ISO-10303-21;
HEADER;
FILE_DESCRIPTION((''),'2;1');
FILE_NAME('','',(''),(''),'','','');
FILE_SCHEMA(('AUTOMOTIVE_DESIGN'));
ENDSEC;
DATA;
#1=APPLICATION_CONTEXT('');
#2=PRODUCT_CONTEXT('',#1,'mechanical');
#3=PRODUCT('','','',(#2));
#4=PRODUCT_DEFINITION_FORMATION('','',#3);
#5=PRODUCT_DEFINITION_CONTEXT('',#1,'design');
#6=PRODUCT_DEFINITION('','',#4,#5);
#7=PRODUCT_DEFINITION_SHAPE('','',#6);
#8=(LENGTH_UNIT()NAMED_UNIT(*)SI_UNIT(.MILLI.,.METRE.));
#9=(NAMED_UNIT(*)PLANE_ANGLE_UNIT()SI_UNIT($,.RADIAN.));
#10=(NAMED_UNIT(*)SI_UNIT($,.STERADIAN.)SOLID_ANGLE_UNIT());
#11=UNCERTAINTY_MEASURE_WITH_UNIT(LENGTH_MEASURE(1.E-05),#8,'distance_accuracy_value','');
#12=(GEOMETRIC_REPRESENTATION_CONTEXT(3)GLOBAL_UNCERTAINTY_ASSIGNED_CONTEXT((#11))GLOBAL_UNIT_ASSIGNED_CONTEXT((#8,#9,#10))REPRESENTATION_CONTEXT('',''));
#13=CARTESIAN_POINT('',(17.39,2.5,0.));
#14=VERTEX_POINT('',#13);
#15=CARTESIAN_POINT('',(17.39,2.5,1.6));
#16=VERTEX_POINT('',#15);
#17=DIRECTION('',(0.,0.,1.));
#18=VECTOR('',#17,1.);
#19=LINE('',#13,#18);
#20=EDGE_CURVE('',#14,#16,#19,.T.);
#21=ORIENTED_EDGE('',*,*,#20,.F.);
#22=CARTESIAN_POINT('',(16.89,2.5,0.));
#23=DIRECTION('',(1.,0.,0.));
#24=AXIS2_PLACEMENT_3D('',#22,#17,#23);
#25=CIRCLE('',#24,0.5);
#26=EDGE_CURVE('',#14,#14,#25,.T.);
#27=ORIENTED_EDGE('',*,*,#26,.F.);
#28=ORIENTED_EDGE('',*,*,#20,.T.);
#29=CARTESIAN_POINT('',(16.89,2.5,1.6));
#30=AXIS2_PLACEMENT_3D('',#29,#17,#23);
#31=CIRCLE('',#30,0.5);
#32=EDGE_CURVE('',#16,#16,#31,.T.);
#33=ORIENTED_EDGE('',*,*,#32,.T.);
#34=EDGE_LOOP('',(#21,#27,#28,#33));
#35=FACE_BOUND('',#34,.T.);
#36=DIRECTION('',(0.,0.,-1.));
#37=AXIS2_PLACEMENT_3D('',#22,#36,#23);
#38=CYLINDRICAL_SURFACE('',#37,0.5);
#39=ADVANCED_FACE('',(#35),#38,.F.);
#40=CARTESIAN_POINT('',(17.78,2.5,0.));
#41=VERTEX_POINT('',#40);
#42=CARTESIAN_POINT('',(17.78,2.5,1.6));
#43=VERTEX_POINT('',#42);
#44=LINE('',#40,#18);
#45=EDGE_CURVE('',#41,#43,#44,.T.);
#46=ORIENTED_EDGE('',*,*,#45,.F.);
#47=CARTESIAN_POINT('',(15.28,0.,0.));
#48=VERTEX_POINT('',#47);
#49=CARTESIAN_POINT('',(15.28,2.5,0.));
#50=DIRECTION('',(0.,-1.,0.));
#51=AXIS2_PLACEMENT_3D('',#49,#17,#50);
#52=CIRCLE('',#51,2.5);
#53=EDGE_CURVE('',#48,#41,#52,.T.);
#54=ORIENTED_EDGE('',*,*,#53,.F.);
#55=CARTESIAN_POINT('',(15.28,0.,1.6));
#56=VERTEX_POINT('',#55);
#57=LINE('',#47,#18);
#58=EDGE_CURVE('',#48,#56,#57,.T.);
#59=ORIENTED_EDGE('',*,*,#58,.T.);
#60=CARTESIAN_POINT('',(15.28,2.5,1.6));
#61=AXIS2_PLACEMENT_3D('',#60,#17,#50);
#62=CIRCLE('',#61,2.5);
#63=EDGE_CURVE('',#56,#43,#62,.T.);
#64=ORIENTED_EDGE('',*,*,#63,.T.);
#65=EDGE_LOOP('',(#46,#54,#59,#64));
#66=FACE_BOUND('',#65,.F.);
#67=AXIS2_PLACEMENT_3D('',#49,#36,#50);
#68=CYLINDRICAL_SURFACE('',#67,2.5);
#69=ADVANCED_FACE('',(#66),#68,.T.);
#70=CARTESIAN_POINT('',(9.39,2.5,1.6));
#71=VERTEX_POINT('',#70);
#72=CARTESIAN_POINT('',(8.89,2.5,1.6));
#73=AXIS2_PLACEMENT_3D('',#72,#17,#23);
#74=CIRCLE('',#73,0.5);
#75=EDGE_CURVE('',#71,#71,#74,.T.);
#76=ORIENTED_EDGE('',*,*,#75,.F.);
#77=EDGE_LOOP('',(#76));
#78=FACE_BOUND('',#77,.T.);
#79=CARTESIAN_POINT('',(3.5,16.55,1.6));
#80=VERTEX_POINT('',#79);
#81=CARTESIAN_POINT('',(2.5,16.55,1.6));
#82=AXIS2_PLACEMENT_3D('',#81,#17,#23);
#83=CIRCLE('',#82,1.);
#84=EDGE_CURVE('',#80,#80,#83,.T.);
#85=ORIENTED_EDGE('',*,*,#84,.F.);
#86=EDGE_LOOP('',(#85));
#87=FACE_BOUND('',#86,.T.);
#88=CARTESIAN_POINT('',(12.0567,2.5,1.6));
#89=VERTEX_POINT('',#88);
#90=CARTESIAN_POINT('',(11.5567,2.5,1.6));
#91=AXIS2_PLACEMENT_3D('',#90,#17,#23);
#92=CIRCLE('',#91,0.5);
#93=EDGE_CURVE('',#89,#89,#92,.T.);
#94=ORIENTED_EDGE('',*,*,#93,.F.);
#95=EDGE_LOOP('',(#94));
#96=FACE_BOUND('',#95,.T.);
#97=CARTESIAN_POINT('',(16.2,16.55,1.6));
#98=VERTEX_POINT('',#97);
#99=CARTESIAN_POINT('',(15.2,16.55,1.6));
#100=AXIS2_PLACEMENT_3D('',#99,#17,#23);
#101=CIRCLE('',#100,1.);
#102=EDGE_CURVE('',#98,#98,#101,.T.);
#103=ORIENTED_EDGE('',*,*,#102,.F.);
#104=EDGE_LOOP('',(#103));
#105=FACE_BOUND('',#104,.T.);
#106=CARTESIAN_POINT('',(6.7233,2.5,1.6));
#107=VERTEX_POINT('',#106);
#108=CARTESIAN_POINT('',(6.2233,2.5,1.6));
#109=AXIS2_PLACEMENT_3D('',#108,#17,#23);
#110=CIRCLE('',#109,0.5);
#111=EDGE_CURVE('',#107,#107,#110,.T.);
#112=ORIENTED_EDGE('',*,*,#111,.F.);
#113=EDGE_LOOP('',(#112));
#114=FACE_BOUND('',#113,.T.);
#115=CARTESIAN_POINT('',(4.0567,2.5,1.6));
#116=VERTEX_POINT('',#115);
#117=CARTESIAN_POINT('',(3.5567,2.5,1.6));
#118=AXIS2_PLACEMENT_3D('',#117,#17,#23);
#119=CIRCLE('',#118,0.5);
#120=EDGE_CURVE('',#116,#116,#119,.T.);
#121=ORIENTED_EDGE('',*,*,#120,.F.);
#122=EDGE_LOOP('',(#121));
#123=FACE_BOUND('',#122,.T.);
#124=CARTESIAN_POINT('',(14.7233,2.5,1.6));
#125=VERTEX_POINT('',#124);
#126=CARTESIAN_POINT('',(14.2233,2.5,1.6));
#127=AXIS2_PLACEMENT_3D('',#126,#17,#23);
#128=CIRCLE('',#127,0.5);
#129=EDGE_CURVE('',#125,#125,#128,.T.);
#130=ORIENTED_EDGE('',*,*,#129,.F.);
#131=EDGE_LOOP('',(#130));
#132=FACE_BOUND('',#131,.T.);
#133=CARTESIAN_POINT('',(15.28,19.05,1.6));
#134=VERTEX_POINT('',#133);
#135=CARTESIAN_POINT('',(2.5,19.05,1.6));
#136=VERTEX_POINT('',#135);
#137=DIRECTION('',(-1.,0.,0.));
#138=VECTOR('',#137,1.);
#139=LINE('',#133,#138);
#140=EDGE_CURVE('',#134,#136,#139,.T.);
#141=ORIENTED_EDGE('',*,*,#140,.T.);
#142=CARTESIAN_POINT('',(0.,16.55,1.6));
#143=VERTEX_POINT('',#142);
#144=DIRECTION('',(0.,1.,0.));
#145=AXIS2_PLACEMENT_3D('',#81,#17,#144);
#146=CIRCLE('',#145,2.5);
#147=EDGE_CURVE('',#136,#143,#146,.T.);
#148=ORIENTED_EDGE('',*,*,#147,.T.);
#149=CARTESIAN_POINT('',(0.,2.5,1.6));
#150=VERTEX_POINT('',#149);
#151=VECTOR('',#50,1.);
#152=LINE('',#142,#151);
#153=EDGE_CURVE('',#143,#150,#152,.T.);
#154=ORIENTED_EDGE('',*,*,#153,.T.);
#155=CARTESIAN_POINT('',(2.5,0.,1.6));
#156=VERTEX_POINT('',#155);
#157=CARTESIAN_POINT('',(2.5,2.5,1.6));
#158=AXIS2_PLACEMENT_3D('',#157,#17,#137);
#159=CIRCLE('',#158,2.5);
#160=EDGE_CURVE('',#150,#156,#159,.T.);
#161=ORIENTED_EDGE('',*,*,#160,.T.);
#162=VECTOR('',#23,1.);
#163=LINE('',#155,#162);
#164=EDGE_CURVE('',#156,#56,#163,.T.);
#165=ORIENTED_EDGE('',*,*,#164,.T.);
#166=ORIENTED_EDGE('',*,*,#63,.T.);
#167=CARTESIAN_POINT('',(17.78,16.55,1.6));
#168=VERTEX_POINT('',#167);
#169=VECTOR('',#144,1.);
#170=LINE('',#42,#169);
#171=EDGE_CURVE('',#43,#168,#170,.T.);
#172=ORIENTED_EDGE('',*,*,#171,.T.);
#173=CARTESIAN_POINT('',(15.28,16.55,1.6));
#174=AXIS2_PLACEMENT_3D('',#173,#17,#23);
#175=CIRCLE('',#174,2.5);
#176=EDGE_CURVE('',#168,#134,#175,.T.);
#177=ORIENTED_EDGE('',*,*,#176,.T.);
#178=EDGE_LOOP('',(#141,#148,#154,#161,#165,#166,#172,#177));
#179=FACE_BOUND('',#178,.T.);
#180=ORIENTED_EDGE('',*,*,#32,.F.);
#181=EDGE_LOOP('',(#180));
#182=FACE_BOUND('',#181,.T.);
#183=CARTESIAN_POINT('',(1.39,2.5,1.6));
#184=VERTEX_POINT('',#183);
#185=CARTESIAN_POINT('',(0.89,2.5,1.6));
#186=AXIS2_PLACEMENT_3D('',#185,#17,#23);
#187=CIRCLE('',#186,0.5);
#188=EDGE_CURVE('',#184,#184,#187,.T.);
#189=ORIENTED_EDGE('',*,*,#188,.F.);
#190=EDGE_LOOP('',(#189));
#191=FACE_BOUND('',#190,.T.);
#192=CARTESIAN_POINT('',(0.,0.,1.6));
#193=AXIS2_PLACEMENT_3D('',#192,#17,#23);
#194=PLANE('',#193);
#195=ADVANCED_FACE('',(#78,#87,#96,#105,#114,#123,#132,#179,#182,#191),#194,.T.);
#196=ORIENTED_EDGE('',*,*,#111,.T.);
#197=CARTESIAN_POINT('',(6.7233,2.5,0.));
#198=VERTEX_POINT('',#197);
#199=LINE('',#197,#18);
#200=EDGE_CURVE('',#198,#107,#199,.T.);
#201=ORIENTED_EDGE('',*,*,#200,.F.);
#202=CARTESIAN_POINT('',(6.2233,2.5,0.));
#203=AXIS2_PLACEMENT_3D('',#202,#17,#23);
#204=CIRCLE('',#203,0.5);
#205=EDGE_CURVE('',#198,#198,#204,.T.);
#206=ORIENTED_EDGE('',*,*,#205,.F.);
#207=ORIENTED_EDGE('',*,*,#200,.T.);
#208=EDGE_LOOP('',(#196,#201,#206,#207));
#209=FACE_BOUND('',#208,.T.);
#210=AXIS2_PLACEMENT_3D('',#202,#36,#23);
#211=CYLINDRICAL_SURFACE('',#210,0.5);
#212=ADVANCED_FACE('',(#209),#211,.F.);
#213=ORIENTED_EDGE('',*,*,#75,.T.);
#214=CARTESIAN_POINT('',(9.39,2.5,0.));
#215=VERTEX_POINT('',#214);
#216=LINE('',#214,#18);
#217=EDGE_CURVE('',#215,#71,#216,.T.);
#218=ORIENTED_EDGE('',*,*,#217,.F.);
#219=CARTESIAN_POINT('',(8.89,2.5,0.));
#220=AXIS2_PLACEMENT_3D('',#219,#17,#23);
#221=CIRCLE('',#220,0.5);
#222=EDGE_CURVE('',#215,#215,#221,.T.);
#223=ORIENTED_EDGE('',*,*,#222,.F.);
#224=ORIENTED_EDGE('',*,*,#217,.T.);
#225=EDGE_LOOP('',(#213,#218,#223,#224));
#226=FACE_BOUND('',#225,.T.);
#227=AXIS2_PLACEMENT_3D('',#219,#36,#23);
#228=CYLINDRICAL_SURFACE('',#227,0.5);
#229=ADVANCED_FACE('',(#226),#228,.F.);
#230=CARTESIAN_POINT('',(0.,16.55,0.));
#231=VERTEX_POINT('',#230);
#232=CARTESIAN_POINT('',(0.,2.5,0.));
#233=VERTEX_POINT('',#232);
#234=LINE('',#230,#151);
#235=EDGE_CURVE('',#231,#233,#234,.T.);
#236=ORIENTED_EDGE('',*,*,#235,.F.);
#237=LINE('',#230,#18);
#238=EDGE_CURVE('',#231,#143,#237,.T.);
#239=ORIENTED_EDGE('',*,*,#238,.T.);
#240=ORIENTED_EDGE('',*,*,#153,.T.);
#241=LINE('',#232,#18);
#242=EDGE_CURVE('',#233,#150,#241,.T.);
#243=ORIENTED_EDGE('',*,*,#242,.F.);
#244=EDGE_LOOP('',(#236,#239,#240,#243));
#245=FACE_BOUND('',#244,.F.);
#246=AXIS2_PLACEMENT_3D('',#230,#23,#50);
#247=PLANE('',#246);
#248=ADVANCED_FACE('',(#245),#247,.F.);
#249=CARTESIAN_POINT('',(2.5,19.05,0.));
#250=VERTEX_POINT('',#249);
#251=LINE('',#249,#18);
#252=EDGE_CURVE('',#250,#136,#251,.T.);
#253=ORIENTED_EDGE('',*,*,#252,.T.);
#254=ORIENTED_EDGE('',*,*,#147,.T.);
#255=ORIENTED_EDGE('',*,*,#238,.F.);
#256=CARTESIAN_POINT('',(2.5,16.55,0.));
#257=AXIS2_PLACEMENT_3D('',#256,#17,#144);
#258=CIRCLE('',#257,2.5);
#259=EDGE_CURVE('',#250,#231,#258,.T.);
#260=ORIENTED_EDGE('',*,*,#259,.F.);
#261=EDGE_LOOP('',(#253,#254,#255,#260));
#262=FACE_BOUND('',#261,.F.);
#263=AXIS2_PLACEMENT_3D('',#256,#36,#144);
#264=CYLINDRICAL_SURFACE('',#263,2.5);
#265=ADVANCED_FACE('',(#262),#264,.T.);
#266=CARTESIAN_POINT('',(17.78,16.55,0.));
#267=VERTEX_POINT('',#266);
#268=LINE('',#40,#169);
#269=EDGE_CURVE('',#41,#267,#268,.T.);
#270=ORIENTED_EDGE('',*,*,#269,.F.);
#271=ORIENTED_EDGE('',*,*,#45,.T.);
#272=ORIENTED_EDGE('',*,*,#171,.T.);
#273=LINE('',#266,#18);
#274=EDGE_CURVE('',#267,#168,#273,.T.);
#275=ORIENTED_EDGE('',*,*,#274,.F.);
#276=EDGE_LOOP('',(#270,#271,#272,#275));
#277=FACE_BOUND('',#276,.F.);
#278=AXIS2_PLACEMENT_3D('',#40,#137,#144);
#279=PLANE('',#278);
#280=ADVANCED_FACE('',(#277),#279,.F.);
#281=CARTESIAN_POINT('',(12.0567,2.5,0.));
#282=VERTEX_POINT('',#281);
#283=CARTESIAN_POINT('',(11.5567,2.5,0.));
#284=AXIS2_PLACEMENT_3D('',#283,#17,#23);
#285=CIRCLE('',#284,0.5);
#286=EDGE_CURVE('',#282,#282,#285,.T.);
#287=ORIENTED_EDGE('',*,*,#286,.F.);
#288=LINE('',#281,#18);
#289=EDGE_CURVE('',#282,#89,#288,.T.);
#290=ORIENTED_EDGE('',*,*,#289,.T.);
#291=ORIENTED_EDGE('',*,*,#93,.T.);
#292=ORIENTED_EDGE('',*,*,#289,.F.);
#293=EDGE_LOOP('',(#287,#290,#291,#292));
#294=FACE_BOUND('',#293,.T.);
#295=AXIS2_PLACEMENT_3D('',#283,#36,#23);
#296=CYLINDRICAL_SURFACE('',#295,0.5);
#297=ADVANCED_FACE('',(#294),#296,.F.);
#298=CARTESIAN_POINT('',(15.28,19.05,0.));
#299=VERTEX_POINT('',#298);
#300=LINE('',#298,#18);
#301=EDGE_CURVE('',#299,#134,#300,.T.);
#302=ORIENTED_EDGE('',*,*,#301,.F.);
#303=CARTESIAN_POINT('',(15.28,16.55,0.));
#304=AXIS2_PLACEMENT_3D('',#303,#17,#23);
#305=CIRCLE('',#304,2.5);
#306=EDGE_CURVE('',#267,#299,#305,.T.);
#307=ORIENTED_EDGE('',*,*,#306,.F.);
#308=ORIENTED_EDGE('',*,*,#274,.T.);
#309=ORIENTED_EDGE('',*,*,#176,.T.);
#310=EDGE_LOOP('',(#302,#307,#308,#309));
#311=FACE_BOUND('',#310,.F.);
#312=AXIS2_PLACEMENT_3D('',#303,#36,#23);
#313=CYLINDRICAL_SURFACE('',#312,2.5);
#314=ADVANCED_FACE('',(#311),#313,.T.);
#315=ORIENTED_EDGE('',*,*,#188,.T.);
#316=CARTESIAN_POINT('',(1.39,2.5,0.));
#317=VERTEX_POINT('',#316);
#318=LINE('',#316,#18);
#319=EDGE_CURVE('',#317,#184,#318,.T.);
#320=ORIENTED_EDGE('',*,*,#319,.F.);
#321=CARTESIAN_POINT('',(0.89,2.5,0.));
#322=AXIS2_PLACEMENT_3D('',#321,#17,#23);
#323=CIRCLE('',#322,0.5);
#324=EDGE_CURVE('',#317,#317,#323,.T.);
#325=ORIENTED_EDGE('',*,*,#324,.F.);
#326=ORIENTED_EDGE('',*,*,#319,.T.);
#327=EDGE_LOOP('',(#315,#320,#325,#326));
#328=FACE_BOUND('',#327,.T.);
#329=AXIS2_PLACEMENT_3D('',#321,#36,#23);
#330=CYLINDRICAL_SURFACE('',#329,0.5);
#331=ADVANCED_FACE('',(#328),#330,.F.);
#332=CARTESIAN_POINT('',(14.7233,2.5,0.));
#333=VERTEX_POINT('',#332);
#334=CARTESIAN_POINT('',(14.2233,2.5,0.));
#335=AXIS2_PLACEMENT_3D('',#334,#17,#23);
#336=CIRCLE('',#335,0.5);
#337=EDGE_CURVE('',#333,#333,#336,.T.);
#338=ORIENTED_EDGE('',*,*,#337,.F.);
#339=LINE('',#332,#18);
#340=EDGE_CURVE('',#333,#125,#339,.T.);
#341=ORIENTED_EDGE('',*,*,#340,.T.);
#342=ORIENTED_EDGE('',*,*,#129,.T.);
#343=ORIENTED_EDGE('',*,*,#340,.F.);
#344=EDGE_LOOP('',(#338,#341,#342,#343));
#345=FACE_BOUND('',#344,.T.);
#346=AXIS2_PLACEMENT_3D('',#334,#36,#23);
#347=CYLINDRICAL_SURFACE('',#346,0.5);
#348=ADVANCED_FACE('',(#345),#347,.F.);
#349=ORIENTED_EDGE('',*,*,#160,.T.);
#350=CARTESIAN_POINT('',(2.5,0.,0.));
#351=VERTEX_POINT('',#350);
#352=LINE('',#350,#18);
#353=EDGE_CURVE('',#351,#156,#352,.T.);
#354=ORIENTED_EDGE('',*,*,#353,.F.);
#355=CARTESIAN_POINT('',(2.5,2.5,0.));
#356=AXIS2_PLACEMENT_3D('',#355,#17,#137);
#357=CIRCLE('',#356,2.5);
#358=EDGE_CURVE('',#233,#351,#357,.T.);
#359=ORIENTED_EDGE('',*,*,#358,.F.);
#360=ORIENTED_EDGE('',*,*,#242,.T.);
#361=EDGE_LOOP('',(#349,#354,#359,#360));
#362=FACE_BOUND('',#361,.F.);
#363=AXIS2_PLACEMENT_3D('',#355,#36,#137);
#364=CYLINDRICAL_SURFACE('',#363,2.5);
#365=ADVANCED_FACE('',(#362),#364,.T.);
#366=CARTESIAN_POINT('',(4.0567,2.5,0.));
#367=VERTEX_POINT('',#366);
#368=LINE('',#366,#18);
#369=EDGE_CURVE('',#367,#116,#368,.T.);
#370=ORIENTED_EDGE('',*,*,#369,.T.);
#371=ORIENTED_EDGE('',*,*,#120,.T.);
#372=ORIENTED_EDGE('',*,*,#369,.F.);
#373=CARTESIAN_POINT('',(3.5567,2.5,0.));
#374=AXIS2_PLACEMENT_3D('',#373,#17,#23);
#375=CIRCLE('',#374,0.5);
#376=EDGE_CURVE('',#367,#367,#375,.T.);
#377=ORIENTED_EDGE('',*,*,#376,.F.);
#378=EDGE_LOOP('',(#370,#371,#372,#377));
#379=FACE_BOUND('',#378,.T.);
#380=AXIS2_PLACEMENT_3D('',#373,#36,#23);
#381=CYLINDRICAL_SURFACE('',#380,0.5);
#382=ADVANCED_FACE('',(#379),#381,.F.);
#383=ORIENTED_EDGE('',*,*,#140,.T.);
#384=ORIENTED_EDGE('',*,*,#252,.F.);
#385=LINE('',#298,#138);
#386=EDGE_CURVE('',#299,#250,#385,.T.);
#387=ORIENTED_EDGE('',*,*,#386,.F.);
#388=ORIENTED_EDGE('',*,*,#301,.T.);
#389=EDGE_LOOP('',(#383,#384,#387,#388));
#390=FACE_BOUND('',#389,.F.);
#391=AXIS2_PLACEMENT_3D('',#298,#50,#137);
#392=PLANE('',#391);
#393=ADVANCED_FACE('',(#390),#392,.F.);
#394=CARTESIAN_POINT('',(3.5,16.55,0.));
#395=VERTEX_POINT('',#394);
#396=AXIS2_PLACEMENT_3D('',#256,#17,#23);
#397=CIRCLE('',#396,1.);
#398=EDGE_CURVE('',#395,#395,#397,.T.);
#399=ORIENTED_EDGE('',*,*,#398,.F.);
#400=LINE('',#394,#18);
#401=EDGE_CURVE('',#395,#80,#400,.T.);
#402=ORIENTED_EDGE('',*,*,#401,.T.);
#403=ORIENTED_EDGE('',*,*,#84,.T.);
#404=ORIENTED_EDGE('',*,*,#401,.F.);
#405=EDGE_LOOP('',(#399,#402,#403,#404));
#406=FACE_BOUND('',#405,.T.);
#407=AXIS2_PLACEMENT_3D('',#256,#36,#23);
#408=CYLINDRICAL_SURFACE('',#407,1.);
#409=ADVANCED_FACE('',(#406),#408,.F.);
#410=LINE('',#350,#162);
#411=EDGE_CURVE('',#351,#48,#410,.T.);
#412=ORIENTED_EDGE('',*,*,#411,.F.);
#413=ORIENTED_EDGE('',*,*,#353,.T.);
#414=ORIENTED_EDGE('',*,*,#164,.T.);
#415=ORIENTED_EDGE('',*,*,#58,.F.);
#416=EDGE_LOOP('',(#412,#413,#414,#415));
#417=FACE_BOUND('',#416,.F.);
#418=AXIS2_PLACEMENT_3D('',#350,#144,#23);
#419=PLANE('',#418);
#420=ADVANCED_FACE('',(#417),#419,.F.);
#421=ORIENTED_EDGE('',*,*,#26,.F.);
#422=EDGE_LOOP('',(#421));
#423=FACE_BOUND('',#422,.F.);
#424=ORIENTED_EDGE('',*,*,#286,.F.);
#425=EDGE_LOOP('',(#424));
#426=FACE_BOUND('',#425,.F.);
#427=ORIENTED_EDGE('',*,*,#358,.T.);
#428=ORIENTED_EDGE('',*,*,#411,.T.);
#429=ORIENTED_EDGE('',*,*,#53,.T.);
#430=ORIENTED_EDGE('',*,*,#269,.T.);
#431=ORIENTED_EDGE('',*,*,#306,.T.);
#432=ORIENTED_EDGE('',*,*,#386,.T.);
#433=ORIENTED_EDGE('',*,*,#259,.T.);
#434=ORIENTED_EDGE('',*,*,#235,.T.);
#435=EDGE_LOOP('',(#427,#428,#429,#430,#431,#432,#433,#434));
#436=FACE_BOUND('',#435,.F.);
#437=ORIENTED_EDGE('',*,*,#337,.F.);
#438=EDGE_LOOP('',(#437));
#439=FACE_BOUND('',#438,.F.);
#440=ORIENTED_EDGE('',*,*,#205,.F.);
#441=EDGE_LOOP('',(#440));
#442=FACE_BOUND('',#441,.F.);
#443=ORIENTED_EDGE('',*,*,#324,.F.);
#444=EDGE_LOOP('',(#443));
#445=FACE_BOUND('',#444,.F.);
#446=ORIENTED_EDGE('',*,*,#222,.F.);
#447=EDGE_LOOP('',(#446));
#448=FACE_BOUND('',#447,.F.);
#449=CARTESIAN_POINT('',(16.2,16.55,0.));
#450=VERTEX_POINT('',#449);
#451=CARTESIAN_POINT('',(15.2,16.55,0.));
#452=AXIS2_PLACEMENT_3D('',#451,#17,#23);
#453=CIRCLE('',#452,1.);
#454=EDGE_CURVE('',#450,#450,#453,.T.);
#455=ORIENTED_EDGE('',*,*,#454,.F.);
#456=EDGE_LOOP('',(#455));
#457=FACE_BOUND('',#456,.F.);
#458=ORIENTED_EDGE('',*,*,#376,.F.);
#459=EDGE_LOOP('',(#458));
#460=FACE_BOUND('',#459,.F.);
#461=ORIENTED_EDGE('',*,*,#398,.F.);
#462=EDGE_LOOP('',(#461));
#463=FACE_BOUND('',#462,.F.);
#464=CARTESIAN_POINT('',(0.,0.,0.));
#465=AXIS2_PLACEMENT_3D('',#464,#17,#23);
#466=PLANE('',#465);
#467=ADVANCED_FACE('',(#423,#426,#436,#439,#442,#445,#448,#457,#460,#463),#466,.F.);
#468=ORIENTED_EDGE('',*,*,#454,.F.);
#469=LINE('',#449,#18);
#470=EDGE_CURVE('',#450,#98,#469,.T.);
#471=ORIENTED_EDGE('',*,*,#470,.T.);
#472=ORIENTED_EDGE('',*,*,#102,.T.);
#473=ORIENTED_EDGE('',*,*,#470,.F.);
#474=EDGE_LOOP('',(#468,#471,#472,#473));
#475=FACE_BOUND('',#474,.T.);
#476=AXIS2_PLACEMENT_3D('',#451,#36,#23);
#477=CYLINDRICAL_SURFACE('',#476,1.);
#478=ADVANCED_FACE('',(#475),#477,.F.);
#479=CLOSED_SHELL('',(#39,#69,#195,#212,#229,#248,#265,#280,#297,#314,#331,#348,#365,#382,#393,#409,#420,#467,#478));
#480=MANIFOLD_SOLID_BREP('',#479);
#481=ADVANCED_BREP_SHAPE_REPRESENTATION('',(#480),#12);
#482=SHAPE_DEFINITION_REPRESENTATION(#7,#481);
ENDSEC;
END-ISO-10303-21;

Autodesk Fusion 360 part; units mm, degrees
sketch "Skizze1" plane through (0, 0, 0) normal (0, 0, 1) x (1, 0, 0)
  line L0 (2.5, 0) -> (15.28, 0)
  line L1 (17.78, 2.5) -> (17.78, 16.55)
  line L2 (15.28, 19.05) -> (2.5, 19.05)
  line L3 (0, 16.55) -> (0, 2.5)
  arc A0 (2.5, 19.05) -> (0, 16.55) centre (2.5, 16.55) ccw
  arc A1 (17.78, 16.55) -> (15.28, 19.05) centre (15.28, 16.55) ccw
  arc A2 (15.28, 0) -> (17.78, 2.5) centre (15.28, 2.5) ccw
  arc A3 (0, 2.5) -> (2.5, 0) centre (2.5, 2.5) ccw
  circle A4 centre (2.5, 16.55) radius 1
  circle A5 centre (15.2, 16.55) radius 1
  circle A6 centre (0.89, 2.5) radius 0.5
  circle A7 centre (3.5567, 2.5) radius 0.5
  circle A8 centre (6.2233, 2.5) radius 0.5
  circle A9 centre (8.89, 2.5) radius 0.5
  circle A10 centre (11.5567, 2.5) radius 0.5
  circle A11 centre (14.2233, 2.5) radius 0.5
  circle A12 centre (16.89, 2.5) radius 0.5
  point P0 (17.78, 0)
  dimension "d3" = 17.78
  dimension "d4" = 19.05
  dimension "d5" = 2.5
  dimension "d6" = 2
  dimension "d9" = 12.7
  dimension "d10" = 0
  dimension "d11" = 1
  dimension "d12" = 2.5
  dimension "d15" = 16
  dimension "d16" = 0
  dimension "d17" = 8.89
extrude "Extrusion1" add sketch "Skizze1" along normal blind 1.6
